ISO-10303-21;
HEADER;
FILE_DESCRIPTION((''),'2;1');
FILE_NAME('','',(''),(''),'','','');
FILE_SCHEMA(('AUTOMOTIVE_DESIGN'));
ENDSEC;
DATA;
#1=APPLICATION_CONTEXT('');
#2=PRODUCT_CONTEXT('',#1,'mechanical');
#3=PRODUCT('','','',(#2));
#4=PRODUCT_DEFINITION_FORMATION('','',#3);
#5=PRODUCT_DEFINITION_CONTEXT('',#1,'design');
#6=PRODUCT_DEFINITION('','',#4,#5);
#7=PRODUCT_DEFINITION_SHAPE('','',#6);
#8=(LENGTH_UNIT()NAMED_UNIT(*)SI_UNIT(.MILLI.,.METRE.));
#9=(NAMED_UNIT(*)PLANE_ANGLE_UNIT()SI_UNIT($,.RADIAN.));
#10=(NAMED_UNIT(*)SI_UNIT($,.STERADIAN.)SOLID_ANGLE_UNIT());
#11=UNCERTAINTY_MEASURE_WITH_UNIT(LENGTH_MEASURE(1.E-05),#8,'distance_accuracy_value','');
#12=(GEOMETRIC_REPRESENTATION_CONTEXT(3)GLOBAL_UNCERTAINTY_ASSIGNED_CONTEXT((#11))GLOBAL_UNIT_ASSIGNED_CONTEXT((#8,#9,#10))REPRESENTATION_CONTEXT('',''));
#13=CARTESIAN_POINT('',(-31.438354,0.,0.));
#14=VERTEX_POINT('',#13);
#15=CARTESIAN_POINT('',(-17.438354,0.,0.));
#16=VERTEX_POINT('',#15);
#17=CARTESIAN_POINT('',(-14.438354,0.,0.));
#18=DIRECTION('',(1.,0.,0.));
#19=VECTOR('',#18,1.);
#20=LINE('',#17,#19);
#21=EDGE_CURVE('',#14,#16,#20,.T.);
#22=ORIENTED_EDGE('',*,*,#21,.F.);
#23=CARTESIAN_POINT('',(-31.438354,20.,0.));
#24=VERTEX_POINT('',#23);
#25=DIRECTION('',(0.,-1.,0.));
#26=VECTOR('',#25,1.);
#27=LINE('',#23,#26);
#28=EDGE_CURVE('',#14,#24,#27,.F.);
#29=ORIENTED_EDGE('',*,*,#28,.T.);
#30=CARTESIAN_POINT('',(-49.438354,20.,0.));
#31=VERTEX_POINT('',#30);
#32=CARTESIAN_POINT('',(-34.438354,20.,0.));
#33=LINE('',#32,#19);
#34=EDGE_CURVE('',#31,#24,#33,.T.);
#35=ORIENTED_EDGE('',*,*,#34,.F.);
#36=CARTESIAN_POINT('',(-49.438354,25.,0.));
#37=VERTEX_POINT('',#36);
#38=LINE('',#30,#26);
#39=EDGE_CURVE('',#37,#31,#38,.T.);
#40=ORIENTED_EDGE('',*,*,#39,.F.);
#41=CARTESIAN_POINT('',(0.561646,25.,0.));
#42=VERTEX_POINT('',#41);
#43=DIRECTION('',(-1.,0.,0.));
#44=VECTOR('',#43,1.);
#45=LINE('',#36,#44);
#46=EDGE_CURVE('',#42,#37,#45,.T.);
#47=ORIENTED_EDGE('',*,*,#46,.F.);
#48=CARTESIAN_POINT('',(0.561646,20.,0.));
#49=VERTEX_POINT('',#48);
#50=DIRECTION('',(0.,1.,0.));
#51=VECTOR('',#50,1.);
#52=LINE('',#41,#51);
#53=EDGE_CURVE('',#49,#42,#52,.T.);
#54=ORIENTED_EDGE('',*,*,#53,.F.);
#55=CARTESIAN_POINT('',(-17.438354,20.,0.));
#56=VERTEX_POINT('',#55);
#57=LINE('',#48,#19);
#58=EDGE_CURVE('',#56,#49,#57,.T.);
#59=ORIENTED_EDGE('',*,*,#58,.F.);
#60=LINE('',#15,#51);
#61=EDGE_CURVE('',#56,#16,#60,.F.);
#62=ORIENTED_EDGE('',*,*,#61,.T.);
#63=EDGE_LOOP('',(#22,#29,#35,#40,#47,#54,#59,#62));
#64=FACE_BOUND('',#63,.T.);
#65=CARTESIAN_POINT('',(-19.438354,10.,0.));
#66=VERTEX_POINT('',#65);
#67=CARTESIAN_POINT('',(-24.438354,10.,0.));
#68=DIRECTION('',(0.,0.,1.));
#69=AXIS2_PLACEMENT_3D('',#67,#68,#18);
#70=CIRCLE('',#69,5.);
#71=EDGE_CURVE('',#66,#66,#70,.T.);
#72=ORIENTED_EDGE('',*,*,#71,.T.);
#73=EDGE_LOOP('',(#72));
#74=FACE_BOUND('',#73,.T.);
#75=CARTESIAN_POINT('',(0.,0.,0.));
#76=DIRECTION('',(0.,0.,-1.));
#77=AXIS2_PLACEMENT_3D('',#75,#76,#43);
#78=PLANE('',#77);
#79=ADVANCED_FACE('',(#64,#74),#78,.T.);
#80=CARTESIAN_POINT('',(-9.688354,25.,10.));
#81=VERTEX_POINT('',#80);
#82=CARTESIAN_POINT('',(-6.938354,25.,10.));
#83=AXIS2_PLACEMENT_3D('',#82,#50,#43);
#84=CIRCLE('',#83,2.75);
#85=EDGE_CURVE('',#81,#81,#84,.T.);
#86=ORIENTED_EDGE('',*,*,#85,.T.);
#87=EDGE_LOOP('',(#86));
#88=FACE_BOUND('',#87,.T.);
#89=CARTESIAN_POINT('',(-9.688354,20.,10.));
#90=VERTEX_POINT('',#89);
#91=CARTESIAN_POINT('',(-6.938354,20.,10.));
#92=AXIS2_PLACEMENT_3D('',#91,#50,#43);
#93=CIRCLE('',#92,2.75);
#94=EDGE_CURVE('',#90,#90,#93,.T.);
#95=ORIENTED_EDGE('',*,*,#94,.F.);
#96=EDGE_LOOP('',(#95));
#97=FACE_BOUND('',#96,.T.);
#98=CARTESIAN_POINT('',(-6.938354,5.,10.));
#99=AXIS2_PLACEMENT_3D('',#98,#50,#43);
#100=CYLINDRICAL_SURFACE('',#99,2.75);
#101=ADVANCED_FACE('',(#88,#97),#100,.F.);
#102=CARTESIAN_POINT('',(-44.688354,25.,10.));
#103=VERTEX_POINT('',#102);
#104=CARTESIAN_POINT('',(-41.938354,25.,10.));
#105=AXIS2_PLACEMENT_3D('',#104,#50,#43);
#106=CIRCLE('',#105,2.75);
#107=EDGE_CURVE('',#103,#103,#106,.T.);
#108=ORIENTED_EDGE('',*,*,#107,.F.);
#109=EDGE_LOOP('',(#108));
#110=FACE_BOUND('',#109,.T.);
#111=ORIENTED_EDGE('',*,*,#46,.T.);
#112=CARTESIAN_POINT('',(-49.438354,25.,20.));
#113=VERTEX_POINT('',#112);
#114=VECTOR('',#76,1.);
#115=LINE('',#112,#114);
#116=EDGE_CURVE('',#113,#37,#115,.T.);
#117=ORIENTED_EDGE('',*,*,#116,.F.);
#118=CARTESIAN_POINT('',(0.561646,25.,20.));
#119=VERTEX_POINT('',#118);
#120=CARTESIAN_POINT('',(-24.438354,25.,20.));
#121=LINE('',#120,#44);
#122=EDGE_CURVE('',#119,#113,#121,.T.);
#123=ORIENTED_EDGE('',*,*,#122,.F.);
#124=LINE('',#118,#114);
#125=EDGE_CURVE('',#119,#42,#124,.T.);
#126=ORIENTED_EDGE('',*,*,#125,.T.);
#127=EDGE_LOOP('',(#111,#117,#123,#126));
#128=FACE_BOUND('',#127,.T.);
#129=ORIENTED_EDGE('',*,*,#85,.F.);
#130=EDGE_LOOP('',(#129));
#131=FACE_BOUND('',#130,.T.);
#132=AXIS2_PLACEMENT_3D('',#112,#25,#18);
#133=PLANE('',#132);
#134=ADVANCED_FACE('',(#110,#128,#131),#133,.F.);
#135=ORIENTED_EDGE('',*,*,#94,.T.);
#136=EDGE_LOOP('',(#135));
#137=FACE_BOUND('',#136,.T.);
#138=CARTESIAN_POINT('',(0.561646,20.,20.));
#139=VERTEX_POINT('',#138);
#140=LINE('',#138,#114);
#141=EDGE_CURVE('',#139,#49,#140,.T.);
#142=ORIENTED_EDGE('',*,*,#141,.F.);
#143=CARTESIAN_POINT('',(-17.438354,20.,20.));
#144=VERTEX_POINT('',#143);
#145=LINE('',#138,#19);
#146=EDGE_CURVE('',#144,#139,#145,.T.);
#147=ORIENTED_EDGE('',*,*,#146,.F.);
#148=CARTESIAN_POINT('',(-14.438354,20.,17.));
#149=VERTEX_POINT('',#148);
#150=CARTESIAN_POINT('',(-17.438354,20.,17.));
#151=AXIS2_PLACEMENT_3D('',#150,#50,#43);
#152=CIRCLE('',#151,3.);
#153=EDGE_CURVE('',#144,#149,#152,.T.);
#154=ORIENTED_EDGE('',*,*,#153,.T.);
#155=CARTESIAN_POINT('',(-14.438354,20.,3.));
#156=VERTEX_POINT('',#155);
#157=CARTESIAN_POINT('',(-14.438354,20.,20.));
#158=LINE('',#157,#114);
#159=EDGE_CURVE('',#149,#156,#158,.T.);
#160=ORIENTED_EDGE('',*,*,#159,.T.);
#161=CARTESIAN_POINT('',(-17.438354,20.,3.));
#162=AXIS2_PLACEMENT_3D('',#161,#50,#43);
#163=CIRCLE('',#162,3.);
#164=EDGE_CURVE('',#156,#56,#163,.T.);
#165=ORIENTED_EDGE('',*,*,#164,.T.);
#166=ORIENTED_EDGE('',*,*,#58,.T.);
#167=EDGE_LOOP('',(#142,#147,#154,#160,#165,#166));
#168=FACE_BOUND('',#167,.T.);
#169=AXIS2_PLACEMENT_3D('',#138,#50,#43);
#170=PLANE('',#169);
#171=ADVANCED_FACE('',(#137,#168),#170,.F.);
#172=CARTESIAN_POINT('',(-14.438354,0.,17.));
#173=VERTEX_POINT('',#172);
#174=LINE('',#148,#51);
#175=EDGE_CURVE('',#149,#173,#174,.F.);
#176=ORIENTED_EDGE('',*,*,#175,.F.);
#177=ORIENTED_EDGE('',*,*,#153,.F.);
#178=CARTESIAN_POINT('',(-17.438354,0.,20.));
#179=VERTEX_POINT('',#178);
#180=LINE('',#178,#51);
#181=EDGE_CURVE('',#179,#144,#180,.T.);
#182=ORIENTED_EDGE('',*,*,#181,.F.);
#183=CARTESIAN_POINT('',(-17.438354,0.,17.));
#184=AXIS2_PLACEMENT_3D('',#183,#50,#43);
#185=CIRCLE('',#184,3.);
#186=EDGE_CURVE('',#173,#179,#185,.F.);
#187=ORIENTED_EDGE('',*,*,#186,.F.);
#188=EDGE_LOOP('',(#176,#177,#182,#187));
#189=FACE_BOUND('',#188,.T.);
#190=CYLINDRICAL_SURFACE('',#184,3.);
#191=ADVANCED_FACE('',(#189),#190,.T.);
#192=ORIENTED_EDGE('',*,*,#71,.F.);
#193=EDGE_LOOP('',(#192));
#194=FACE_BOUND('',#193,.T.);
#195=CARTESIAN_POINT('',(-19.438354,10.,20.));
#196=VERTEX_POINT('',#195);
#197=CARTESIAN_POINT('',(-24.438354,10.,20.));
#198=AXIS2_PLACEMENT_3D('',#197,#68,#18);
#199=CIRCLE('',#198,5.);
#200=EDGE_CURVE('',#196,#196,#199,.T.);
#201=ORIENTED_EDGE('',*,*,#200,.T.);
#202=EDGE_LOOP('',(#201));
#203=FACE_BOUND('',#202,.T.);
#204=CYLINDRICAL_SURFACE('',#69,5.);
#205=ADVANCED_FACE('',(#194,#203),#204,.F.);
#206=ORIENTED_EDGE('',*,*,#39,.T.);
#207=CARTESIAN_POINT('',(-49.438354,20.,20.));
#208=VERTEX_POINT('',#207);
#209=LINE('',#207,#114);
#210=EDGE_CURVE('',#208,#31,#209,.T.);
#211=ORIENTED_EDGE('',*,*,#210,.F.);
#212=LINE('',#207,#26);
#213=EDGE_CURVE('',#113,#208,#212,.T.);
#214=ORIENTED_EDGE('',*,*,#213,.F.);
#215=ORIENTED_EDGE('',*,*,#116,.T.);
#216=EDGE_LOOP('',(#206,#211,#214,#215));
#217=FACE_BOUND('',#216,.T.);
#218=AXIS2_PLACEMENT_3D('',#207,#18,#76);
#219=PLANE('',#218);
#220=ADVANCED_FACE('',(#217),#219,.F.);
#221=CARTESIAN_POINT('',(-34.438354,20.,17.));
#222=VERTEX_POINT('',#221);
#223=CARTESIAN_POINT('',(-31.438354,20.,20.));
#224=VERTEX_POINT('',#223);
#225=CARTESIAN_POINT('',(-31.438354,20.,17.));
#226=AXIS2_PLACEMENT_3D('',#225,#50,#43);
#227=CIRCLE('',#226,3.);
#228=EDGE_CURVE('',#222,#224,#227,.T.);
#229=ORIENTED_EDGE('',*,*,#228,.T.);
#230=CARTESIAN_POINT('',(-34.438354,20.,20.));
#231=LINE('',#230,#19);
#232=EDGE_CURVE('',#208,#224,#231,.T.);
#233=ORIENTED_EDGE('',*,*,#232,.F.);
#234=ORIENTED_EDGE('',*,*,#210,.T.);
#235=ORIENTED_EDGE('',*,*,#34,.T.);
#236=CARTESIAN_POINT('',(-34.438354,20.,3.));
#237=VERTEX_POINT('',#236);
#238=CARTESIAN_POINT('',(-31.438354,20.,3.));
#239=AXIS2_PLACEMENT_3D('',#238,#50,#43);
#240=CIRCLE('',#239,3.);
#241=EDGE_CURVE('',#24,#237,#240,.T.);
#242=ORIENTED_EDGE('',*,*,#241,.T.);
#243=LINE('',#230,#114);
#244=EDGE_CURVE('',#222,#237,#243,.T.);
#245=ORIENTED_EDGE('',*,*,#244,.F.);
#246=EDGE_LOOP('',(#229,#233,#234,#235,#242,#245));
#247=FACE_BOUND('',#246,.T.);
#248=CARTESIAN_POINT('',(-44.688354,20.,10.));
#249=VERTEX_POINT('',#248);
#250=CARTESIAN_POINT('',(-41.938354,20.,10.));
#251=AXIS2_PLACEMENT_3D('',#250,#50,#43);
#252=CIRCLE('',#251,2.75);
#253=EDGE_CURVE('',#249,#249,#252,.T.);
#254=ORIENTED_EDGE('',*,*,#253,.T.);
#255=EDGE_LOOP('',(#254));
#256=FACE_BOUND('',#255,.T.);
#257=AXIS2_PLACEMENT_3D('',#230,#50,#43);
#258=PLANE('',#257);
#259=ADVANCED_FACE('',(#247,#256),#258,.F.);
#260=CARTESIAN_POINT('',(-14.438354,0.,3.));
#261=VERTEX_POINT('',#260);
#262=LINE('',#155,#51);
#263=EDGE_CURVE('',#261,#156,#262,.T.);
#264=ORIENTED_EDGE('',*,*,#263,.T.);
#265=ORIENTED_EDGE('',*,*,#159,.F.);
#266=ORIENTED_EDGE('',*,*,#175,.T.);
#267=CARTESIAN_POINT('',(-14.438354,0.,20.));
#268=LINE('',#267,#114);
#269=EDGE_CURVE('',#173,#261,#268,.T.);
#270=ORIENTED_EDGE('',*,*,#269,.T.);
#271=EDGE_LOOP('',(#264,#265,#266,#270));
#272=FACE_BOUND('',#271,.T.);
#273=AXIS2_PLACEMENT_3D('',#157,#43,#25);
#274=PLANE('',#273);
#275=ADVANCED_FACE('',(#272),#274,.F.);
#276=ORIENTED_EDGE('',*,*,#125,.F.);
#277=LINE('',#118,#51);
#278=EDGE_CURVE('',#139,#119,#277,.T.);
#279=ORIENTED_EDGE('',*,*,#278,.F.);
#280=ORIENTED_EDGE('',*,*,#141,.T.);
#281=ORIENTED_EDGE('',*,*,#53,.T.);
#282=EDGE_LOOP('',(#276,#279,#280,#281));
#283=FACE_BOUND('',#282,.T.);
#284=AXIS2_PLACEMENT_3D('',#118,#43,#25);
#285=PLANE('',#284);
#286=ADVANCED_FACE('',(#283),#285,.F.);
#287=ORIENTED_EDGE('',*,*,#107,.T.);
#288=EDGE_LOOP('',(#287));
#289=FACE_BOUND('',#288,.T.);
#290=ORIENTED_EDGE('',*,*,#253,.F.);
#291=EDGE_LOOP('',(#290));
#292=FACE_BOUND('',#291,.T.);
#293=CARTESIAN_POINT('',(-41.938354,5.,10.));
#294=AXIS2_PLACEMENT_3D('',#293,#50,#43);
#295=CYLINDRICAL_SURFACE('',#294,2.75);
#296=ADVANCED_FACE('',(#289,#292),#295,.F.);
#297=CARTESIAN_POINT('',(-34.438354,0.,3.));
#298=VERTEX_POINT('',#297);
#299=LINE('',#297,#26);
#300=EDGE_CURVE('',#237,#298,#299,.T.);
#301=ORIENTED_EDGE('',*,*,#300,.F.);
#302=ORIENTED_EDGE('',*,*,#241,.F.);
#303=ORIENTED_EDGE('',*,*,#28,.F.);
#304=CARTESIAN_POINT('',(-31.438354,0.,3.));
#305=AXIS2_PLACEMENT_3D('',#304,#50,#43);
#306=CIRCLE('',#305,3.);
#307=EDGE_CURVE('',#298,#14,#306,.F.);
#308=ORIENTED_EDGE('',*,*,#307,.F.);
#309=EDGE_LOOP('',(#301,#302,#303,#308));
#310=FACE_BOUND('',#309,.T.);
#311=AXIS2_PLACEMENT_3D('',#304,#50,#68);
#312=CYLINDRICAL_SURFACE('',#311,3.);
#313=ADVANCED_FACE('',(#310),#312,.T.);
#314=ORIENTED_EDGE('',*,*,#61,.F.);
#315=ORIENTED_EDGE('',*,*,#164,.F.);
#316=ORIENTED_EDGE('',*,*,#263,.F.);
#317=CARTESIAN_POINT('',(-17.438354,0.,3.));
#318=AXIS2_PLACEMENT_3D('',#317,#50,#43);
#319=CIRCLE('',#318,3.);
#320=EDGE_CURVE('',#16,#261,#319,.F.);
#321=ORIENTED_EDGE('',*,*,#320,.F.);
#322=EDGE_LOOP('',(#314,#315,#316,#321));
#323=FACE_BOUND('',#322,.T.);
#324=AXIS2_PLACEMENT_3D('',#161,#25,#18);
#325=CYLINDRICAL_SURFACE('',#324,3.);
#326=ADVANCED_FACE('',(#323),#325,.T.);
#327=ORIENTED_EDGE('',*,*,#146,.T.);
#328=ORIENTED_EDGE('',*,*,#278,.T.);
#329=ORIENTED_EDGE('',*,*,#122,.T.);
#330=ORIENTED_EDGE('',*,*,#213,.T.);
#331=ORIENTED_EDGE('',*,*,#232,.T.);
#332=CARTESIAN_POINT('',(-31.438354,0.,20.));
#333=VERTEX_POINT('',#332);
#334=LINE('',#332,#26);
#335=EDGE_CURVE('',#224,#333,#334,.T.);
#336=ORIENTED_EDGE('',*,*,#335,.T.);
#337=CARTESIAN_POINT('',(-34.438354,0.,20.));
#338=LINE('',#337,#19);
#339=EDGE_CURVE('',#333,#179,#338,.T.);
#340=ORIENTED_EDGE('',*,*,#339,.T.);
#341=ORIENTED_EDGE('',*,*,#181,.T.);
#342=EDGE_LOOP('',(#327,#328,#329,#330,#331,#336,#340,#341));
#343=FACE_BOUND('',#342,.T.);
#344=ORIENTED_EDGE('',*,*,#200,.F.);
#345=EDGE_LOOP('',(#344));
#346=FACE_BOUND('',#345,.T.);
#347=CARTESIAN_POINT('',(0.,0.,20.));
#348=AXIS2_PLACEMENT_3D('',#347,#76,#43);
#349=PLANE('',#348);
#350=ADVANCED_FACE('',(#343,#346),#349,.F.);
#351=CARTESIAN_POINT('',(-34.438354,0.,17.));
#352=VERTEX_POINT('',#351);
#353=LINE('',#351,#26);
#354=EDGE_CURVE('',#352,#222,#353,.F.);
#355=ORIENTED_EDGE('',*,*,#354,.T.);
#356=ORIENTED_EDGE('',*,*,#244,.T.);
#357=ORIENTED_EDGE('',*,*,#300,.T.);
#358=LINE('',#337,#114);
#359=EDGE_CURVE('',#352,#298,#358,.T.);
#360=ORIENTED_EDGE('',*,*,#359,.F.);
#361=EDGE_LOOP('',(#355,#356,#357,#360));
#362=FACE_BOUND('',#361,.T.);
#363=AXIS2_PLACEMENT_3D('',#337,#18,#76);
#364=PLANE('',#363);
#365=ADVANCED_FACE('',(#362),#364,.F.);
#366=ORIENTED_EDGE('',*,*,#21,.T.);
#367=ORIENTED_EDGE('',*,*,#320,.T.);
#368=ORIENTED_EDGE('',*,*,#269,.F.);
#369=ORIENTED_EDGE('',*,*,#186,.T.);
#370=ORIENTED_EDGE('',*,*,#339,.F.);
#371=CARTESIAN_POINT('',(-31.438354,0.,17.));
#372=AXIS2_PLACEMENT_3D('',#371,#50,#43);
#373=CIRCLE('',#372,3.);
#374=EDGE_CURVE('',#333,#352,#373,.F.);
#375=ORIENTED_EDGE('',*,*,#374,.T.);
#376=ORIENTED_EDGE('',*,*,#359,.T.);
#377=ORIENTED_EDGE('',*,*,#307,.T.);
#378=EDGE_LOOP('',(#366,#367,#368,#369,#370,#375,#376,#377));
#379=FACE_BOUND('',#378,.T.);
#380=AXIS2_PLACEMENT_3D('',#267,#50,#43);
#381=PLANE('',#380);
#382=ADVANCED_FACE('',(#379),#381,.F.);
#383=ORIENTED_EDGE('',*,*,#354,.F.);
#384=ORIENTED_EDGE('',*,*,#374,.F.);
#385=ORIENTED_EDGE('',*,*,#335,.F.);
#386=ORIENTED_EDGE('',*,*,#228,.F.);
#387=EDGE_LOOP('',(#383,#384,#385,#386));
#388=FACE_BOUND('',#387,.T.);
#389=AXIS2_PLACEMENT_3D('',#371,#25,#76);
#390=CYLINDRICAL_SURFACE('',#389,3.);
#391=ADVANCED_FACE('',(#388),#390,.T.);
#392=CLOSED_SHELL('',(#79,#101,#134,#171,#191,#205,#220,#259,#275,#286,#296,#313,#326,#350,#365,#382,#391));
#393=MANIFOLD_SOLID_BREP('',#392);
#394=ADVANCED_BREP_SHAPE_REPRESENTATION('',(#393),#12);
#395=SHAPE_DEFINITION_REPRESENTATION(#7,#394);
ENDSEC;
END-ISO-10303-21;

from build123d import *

# Parameters (mm, degrees)
AUFSATZ_LINEAR_AUSTRAGEN1_DEPTH = 20
SKIZZE2_R                       = 5
SCHNITT_LINEAR_AUSTRAGEN1_DEPTH = 20
SKIZZE3_R                       = 2.75
SCHNITT_LINEAR_AUSTRAGEN2_DEPTH = 20
VERRUNDUNG1_R                   = 3


with BuildPart() as part:
    # Skizze1 → Aufsatz-Linear austragen1 (new body)
    with BuildSketch(Plane.XY):
        Polygon((-34.43835366, 0), (-34.43835366, 20), (-49.43835366, 20), (-49.43835366, 25), (-24.43835366, 25), (0.56164634, 25), (0.56164634, 20), (-14.43835366, 20), (-14.43835366, 0), (-24.43835366, 0), align=None)
    extrude(amount=AUFSATZ_LINEAR_AUSTRAGEN1_DEPTH)

    # Skizze2 → Schnitt-Linear austragen1 (cut)
    with BuildSketch(Plane.XY.offset(20)):
        with Locations((-24.43835366, 10)):
            Circle(SKIZZE2_R)
    extrude(amount=-SCHNITT_LINEAR_AUSTRAGEN1_DEPTH, mode=Mode.SUBTRACT)

    # Skizze3 → Schnitt-Linear austragen2 (cut)
    with BuildSketch(Plane(origin=(0, 25, 0), x_dir=(1, 0, 0), z_dir=(0, 1, 0))):
        with Locations(Location((-41.93835366, -10, 0), (0, 0, 180))):
            Circle(SKIZZE3_R)
        with Locations(Location((-6.93835366, -10, 0), (0, 0, 180))):
            Circle(SKIZZE3_R)
    extrude(amount=-SCHNITT_LINEAR_AUSTRAGEN2_DEPTH, mode=Mode.SUBTRACT)

    # Verrundung1
    verrundung1_edges = [part.edges().sort_by_distance(p)[0] for p in [
        (-14.43835366, 10, 20),
        (-14.43835366, 10, 0),
        (-34.43835366, 10, 20),
        (-34.43835366, 10, 0),
    ]]
    fillet(verrundung1_edges, radius=VERRUNDUNG1_R)


solid = part.part
